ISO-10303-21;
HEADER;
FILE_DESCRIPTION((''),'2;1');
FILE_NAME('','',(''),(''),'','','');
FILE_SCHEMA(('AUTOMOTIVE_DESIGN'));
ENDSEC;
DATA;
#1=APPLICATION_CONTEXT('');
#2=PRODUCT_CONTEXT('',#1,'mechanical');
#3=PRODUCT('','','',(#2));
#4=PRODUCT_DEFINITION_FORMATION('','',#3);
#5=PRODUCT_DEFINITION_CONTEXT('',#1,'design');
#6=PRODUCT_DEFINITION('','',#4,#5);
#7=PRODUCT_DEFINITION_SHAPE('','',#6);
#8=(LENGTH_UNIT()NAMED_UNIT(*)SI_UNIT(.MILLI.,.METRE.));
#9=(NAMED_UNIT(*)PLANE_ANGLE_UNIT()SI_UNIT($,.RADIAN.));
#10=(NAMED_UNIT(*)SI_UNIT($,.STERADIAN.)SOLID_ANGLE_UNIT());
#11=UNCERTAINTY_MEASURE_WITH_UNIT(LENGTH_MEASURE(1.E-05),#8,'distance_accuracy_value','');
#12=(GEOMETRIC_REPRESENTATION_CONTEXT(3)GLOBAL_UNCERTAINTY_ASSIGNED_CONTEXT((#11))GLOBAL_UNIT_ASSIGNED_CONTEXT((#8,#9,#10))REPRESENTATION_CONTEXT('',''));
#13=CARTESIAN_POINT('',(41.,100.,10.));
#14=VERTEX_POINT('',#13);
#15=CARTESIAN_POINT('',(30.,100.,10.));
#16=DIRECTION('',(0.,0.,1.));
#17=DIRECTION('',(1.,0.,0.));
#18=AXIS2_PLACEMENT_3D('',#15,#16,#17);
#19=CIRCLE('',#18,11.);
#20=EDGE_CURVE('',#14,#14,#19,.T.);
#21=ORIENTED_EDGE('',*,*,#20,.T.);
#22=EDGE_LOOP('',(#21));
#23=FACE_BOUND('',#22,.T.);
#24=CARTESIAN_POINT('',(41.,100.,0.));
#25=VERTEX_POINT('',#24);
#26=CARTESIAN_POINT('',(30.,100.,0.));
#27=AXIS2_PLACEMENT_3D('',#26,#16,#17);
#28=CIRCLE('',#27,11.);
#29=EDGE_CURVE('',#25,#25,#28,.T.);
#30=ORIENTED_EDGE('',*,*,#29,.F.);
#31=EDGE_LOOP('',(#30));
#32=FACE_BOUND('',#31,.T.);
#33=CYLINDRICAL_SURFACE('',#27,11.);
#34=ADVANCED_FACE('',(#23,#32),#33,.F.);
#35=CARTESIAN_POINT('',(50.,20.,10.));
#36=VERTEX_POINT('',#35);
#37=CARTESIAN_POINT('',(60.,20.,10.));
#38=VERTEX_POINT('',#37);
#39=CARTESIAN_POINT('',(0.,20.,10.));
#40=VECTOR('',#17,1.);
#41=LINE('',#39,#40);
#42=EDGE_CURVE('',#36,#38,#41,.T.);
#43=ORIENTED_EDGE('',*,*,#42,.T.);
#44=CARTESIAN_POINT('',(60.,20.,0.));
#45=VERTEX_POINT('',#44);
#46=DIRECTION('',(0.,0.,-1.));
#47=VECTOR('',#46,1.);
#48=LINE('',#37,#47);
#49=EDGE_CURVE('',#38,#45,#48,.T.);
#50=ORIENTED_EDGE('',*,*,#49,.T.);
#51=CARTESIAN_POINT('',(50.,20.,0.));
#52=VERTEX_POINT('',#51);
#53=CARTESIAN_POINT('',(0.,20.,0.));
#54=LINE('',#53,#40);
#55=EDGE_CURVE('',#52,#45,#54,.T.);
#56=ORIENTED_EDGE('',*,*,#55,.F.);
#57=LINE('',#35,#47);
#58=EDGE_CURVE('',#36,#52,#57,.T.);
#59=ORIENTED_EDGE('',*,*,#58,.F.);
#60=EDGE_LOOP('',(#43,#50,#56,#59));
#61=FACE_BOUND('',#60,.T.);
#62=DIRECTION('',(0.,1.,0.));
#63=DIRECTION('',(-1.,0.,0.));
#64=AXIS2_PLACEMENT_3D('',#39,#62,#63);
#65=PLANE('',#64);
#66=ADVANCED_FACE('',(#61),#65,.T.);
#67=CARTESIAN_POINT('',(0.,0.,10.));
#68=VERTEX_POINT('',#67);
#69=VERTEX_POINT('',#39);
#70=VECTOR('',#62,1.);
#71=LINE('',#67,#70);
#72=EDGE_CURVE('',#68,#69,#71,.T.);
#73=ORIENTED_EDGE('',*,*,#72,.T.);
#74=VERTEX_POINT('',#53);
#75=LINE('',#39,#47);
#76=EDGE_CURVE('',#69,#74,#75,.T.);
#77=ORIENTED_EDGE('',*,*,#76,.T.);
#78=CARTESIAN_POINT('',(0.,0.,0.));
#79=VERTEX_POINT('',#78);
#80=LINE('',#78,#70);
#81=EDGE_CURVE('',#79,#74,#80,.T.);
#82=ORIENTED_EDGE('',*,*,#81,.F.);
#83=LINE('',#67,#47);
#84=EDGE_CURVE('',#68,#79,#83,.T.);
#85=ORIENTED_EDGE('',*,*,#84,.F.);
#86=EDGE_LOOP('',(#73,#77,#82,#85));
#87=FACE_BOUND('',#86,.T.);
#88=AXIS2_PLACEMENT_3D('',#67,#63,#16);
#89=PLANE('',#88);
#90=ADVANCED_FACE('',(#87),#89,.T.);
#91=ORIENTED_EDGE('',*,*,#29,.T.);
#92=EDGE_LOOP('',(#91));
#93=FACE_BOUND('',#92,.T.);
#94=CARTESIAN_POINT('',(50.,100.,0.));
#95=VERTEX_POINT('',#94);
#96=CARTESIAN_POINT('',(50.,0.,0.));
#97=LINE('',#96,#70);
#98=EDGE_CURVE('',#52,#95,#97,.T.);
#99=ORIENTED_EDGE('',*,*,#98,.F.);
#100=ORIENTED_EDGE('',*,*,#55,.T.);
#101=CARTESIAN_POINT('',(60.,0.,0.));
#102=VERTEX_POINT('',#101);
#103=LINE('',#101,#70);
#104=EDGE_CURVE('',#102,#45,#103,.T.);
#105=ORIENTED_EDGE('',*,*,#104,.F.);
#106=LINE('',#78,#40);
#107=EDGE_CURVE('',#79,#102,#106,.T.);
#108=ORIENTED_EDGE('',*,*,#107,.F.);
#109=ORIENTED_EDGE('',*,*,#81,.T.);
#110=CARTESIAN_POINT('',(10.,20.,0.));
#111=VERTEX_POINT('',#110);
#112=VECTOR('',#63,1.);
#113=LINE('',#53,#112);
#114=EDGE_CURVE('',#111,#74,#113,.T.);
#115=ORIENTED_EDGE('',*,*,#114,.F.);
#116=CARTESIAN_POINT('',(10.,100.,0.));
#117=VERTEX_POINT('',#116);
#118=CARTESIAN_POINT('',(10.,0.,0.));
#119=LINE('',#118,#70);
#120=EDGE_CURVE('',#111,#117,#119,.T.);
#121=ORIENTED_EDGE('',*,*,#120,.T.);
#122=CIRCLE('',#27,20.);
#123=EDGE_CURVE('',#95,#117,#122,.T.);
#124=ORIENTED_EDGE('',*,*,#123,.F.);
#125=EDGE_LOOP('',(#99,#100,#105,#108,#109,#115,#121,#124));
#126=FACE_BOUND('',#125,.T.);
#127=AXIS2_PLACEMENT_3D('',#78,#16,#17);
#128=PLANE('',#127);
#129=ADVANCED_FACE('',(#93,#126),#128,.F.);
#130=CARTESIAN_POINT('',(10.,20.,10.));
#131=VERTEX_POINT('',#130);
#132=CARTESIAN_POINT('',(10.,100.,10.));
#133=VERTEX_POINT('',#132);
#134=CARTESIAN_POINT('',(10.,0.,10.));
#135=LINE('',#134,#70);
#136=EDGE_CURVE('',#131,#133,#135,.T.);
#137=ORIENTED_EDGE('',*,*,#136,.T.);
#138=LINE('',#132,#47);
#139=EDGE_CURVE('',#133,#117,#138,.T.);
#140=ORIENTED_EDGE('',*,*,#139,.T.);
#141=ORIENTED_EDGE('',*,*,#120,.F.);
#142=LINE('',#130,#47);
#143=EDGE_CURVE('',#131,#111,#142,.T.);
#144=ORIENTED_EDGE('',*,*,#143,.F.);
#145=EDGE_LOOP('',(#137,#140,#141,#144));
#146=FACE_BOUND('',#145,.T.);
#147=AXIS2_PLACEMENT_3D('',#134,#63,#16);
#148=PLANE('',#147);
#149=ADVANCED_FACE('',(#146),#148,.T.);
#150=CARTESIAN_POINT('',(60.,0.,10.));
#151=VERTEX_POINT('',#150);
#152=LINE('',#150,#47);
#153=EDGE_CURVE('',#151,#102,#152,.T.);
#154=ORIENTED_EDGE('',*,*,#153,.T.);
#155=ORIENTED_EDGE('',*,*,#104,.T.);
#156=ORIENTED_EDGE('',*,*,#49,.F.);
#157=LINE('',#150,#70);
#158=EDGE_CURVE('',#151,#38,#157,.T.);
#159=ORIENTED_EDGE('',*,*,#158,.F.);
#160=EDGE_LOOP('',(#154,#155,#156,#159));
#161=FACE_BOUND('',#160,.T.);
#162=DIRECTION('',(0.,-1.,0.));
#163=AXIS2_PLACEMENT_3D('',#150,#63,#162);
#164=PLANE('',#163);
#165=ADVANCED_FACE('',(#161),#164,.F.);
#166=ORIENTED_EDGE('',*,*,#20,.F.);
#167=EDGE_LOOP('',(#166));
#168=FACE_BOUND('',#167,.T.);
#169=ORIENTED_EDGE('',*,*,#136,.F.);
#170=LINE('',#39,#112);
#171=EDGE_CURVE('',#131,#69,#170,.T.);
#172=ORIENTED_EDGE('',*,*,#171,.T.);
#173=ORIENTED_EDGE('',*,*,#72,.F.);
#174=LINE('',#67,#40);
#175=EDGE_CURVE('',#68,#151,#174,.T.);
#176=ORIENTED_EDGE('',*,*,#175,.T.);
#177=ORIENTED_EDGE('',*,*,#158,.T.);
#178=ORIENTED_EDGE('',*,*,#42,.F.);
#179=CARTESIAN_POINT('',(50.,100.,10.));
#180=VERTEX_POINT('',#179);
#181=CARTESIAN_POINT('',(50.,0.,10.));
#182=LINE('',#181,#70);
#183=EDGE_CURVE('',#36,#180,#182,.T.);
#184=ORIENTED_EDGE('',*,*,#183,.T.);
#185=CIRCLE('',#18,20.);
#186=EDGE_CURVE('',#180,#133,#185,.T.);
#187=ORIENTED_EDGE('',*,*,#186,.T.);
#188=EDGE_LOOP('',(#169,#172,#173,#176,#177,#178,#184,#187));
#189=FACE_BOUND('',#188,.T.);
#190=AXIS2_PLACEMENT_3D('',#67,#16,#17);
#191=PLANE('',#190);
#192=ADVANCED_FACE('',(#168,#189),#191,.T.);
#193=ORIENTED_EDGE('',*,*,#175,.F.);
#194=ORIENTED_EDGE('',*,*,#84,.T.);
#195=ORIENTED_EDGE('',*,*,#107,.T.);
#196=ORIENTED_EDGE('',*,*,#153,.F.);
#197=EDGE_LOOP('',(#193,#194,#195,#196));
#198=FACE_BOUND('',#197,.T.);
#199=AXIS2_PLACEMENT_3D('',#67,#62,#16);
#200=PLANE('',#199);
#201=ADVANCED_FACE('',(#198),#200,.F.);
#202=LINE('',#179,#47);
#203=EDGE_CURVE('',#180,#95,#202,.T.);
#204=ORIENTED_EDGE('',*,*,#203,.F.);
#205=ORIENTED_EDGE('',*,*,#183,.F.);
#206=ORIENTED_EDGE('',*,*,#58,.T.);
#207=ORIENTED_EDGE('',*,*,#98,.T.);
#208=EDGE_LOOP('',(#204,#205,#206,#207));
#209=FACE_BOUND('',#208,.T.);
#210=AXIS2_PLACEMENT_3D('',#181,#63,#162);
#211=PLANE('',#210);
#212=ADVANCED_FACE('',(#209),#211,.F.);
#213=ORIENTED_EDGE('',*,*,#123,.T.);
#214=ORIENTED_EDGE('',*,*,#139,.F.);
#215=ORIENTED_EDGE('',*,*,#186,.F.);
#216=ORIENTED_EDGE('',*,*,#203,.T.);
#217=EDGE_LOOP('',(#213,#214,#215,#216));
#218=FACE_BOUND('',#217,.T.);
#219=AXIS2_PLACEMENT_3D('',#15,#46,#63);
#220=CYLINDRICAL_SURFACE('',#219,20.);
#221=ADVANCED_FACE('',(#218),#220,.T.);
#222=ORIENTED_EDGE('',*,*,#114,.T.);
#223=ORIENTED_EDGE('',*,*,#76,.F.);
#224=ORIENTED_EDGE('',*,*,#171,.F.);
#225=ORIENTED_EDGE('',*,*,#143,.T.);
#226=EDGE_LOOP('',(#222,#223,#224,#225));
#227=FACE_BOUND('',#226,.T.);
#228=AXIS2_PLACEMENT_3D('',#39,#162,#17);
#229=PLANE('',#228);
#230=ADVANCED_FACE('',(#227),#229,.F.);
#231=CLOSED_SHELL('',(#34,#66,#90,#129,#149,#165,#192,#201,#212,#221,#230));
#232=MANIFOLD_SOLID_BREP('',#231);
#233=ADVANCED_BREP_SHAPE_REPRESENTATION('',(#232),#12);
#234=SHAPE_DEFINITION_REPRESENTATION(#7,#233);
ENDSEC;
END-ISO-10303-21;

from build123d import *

# Parameters (mm, degrees)
BOSS_EXTRUDE1_DEPTH = 10
SKETCH2_R           = 11
CUT_EXTRUDE1_DEPTH  = 10


with BuildPart() as part:
    # Sketch1 → Boss-Extrude1 (new body)
    with BuildSketch(Plane.XY):
        Polygon((50, 20), (50, 100), (10, 100), (10, 20), (0, 20), (0, 0), (60, 0), (60, 20), align=None)
        with BuildLine():
            Line((50, 100), (10, 100))
            ThreePointArc((10, 100), (30, 120), (50, 100))
        make_face()
    extrude(amount=BOSS_EXTRUDE1_DEPTH)

    # Sketch2 → Cut-Extrude1 (cut)
    with BuildSketch(Plane.XY.offset(10)):
        with Locations((30, 100)):
            Circle(SKETCH2_R)
    extrude(amount=-CUT_EXTRUDE1_DEPTH, mode=Mode.SUBTRACT)


solid = part.part
